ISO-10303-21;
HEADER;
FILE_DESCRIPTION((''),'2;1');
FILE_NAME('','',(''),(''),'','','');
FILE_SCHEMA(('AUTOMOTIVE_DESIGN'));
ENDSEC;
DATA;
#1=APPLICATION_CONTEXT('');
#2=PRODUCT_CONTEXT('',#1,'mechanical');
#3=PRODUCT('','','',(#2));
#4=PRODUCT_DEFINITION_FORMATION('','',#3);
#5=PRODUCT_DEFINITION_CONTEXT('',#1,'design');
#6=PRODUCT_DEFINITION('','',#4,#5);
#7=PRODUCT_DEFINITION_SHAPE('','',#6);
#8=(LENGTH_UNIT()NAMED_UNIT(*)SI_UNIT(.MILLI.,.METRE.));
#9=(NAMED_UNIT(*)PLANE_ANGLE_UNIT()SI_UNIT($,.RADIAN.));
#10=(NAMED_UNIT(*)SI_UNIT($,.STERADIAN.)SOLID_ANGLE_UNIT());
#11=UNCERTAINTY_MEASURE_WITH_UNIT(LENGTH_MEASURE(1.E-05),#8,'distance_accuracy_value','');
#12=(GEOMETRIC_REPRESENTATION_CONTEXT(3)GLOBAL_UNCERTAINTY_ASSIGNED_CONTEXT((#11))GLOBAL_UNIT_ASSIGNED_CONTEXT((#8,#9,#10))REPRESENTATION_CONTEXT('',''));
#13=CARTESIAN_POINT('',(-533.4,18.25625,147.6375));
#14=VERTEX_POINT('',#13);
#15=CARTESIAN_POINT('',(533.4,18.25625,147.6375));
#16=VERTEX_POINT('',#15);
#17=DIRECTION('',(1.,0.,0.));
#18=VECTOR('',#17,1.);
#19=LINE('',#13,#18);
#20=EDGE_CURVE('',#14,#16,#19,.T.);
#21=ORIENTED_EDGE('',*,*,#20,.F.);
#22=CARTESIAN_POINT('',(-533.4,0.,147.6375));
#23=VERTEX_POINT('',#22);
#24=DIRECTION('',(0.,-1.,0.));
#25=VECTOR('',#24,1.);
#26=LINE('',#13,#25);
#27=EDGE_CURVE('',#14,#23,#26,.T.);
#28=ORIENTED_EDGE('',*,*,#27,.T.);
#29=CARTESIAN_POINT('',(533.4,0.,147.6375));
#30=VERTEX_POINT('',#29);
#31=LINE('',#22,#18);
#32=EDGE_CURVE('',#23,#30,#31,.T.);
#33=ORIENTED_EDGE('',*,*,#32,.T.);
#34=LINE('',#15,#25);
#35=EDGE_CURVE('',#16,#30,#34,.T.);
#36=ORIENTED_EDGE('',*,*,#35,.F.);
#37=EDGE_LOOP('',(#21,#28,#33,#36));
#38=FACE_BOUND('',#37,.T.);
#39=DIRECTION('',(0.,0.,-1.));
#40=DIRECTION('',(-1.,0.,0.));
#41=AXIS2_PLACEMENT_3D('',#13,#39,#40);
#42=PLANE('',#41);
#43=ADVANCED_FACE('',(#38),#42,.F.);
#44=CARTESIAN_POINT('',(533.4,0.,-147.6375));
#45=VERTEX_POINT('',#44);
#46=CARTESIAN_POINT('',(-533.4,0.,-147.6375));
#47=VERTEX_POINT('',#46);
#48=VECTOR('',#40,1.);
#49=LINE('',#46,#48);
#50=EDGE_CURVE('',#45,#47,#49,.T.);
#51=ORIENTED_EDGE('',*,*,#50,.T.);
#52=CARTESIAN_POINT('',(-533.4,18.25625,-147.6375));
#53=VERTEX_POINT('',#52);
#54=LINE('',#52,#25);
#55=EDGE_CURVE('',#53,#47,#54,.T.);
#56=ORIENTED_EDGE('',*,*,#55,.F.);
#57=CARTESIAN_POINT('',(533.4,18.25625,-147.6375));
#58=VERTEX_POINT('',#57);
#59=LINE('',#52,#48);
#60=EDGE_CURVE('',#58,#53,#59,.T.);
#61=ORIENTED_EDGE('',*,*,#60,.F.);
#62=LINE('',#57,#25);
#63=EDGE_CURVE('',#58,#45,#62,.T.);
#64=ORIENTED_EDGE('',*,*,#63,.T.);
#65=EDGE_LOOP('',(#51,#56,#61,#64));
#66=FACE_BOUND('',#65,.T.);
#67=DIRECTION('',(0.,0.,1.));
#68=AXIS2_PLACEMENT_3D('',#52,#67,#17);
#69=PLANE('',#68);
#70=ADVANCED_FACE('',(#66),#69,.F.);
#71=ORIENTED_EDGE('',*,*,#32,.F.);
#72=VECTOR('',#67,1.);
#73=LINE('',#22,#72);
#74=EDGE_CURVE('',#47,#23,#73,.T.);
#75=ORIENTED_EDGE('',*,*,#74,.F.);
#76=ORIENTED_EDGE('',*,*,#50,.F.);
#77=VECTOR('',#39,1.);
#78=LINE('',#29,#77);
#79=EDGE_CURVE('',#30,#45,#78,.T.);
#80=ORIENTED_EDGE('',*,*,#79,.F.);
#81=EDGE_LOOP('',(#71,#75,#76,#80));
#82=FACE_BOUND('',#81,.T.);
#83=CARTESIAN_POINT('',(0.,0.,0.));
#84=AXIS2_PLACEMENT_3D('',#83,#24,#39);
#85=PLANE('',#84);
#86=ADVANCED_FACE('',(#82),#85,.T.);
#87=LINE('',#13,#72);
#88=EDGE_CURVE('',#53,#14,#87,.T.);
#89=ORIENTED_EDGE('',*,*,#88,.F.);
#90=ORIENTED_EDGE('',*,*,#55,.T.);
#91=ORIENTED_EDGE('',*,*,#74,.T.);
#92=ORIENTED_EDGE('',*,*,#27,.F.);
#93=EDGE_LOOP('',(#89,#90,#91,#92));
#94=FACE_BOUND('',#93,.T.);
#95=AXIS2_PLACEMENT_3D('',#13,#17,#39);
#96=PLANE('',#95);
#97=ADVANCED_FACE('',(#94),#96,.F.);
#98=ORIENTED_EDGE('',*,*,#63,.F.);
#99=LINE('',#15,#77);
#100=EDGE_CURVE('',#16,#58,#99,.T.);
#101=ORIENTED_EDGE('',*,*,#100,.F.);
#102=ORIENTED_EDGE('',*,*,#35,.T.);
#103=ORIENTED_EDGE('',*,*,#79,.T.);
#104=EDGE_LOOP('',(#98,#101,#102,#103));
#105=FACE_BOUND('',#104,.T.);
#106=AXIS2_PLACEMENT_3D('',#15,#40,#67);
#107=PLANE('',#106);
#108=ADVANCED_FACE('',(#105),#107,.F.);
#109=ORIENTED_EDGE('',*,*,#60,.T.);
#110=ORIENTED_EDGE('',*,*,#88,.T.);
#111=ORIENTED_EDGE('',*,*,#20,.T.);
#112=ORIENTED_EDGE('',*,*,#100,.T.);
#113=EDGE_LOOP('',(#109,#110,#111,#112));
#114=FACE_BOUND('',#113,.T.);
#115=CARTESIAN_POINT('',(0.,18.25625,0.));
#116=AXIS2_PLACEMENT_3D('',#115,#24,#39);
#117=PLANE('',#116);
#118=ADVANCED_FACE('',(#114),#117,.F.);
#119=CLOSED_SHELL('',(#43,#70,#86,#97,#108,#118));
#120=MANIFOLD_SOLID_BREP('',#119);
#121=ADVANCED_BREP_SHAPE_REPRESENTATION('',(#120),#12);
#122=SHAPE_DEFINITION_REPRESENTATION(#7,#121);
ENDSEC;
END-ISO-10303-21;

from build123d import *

# Parameters (mm, degrees)
SKETCH1_W           = 1066.8
SKETCH1_H           = 295.275
BOSS_EXTRUDE1_DEPTH = 18.25625


with BuildPart() as part:
    # Sketch1 → Boss-Extrude1 (new body)
    with BuildSketch(Plane(origin=(0, 0, 0), x_dir=(1, 0, 0), z_dir=(0, 1, 0))):
        Rectangle(SKETCH1_W, SKETCH1_H)
    extrude(amount=BOSS_EXTRUDE1_DEPTH)


solid = part.part
